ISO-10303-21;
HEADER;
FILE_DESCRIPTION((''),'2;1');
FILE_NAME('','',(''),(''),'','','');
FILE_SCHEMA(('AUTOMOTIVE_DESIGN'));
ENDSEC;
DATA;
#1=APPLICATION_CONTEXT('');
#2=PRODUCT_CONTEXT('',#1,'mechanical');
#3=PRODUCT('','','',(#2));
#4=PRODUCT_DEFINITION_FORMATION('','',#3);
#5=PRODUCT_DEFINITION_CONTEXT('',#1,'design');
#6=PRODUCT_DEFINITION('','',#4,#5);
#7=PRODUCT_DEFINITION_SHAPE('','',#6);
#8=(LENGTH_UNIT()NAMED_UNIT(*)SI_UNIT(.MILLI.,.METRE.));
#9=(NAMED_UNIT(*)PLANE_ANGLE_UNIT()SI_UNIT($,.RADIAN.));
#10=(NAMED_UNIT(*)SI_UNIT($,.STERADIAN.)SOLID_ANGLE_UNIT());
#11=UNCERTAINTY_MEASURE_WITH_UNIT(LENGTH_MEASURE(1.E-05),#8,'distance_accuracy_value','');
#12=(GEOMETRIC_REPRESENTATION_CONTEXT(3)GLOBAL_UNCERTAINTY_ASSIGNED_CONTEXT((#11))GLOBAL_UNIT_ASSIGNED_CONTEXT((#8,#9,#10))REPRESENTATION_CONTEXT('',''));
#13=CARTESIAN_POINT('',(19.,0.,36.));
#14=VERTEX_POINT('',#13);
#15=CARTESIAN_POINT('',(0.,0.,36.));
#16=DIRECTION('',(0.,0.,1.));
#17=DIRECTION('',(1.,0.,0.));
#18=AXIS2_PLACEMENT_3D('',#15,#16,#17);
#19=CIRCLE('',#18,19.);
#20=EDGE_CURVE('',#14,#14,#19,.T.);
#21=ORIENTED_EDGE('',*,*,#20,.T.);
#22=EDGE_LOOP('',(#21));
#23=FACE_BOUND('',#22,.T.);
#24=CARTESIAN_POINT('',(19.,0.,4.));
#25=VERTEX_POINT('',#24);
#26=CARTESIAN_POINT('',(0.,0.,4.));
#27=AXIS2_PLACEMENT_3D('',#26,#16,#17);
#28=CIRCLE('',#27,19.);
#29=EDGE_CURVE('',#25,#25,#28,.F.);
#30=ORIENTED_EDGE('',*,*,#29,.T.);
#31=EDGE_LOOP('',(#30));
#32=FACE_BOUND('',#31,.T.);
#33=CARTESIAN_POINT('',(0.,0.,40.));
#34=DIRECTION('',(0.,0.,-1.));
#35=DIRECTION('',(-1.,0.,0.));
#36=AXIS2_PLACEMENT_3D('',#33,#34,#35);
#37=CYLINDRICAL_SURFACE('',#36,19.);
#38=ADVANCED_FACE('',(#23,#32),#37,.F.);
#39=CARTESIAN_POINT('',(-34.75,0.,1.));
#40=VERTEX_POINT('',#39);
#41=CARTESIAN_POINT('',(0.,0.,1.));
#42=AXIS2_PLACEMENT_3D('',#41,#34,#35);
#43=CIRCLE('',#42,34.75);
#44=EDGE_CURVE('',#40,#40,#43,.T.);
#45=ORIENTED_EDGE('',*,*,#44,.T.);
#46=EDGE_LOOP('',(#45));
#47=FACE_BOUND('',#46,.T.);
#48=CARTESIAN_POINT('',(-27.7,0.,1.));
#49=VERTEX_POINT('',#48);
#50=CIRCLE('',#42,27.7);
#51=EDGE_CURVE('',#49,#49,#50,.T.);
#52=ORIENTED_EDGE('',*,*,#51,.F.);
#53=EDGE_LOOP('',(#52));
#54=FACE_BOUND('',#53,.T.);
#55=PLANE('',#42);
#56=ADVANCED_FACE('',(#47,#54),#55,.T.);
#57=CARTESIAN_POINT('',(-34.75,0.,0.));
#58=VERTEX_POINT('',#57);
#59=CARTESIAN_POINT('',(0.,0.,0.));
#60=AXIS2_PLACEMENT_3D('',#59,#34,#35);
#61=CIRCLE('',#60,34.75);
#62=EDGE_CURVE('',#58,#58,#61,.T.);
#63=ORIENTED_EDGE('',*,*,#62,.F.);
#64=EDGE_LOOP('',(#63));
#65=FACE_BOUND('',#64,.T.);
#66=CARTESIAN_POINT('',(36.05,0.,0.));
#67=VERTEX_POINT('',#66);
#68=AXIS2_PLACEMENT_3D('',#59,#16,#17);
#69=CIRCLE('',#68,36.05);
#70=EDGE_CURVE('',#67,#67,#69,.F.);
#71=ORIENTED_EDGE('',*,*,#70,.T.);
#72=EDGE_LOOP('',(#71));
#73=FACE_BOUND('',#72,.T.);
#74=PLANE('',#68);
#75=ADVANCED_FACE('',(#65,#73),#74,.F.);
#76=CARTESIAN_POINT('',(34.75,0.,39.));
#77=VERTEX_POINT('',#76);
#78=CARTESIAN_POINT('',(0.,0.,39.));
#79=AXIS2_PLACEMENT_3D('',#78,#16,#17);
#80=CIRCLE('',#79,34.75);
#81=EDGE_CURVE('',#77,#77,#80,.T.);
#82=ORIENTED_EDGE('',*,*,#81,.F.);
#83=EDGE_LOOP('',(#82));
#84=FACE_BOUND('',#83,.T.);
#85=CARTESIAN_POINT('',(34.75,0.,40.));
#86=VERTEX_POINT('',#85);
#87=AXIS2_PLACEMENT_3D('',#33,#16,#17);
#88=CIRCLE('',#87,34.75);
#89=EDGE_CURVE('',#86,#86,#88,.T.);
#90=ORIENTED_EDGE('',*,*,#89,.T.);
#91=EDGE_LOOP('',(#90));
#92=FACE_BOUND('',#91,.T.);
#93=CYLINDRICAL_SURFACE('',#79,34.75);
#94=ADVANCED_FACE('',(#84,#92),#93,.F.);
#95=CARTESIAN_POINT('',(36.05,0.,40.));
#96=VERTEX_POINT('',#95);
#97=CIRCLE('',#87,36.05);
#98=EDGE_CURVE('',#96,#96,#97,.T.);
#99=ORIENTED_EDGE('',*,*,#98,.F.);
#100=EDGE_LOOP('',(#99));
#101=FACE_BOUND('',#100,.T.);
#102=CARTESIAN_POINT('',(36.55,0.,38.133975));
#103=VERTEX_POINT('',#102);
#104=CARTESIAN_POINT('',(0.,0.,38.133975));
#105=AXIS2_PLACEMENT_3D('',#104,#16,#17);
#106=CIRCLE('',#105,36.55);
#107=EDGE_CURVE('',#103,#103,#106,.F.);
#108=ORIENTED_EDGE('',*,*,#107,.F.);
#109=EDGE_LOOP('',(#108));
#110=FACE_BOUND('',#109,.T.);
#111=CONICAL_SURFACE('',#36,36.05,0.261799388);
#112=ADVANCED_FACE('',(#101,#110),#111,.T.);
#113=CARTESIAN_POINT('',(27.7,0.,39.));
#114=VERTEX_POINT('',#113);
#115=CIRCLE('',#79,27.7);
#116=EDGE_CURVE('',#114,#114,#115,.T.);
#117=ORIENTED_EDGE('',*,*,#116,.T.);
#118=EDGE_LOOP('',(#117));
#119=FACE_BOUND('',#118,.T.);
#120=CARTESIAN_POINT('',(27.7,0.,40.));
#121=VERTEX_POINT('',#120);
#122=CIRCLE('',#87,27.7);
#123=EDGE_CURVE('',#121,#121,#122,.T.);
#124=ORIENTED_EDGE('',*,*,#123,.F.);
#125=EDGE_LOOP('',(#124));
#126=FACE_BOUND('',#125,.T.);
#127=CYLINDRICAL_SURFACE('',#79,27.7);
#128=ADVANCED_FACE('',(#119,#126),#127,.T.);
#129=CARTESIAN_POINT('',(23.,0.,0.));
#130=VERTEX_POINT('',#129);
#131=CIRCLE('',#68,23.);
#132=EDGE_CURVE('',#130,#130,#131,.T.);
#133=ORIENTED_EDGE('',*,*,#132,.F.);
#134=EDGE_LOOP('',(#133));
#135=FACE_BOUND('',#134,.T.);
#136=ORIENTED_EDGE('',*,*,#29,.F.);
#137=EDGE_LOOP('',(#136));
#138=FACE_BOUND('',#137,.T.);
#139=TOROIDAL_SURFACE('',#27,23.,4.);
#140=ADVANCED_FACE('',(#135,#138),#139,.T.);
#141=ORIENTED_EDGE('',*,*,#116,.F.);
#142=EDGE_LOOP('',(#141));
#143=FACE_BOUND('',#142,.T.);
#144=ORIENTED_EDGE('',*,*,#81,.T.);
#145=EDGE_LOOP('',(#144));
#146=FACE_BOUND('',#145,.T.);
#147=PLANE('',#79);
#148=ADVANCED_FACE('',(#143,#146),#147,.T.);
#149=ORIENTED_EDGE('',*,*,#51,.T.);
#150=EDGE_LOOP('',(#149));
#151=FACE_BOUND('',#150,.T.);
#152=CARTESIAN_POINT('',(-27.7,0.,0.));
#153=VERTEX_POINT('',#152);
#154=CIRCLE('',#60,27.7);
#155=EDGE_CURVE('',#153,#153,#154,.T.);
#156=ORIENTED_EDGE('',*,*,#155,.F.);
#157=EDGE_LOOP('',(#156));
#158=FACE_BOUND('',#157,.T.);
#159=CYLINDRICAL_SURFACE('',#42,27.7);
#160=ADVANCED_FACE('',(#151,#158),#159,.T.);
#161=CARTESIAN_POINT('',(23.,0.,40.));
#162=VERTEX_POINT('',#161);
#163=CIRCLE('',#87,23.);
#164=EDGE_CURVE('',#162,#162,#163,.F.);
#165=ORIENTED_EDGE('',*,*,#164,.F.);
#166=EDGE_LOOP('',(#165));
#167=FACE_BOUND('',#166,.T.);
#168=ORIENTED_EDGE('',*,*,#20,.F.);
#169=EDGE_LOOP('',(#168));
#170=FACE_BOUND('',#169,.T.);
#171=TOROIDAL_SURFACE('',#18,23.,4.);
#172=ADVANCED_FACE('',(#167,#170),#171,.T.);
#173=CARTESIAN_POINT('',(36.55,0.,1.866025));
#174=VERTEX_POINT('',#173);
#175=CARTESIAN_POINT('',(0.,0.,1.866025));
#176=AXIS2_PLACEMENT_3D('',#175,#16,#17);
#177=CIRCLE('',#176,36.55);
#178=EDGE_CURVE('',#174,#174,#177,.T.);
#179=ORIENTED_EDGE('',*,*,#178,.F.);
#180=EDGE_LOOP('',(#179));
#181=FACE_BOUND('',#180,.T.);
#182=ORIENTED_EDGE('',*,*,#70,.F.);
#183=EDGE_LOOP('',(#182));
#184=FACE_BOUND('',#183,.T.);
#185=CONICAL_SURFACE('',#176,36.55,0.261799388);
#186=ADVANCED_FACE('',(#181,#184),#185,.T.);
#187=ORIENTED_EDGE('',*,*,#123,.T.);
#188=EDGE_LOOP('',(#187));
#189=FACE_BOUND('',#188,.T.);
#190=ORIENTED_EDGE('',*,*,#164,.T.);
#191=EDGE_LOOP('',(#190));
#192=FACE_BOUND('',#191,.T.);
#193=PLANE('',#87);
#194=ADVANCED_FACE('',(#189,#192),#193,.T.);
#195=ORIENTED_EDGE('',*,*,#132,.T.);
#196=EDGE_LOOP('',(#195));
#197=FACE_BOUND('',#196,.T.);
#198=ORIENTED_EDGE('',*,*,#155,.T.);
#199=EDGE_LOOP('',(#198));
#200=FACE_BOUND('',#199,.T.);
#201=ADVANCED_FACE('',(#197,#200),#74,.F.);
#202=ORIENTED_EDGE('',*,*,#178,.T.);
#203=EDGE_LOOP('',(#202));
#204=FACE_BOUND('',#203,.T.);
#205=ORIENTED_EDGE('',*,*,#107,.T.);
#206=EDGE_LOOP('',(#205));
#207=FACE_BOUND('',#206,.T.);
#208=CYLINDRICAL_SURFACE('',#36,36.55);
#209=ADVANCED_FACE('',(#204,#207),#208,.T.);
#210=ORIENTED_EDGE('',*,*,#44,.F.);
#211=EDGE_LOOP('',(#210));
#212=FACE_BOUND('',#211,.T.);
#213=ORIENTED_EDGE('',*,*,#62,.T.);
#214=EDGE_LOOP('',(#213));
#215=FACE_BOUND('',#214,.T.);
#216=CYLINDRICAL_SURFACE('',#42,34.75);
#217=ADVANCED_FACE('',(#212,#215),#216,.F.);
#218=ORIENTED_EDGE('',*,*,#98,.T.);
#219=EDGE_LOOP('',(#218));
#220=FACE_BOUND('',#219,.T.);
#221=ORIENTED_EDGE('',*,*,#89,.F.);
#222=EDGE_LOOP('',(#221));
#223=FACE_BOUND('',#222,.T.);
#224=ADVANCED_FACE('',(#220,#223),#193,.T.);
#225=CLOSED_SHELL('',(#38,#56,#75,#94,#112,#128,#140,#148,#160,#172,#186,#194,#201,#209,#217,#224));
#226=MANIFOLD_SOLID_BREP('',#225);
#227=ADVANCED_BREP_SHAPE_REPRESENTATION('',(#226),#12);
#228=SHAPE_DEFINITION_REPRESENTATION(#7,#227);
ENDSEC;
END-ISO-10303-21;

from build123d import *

# Parameters (mm, degrees)
SKETCH1_R             = 36.55
SKETCH1_R_2           = 19
EXTRUDE1_DEPTH        = 40
SKETCH2_R             = 34.75
SKETCH2_R_2           = 27.7
EXTRUDE2_DEPTH        = 1
SKETCH3_R             = 34.75
SKETCH3_R_2           = 27.7
EXTRUDE3_DEPTH        = 1
FILLET1_R             = 4
CHAMFER1_SIZE         = 0.5
CHAMFER1_SIZE2        = 1.866025404
CHAMFER1_PART_2_SIZE  = 0.5
CHAMFER1_PART_2_SIZE2 = 1.866025404


with BuildPart() as part:
    # Sketch1 → Extrude1 (new body)
    with BuildSketch(Plane.XY):
        Circle(SKETCH1_R)
        Circle(SKETCH1_R_2, mode=Mode.SUBTRACT)
    extrude(amount=EXTRUDE1_DEPTH)

    # Sketch2 → Extrude2 (cut)
    with BuildSketch(Plane.XY.offset(40)):
        Circle(SKETCH2_R)
        Circle(SKETCH2_R_2, mode=Mode.SUBTRACT)
    extrude(amount=-EXTRUDE2_DEPTH, mode=Mode.SUBTRACT)

    # Sketch3 → Extrude3 (cut)
    with BuildSketch(Plane(origin=(0, 0, 0), x_dir=(-1, 0, 0), z_dir=(0, 0, -1))):
        Circle(SKETCH3_R)
        Circle(SKETCH3_R_2, mode=Mode.SUBTRACT)
    extrude(amount=-EXTRUDE3_DEPTH, mode=Mode.SUBTRACT)

    # Fillet1
    fillet1_edges = [part.edges().sort_by_distance(p)[0] for p in [
        (-19, 0, 0),
        (-19, 0, 40),
    ]]
    fillet(fillet1_edges, radius=FILLET1_R)

    # Chamfer1
    chamfer1_edges = [part.edges().sort_by_distance(p)[0] for p in [
        (-36.55, 0, 0),
    ]]
    chamfer1_side = [part.faces().sort_by_distance(p)[0] for p in [
        (-35.516209886, 0, 0),
    ]]
    chamfer(chamfer1_edges, length=CHAMFER1_SIZE, length2=CHAMFER1_SIZE2, reference=chamfer1_side[0])

    # Chamfer1 part 2
    chamfer1_part_2_edges = [part.edges().sort_by_distance(p)[0] for p in [
        (-36.55, 0, 40),
    ]]
    chamfer1_part_2_side = [part.faces().sort_by_distance(p)[0] for p in [
        (-35.516209886, 0, 40),
    ]]
    chamfer(chamfer1_part_2_edges, length=CHAMFER1_PART_2_SIZE, length2=CHAMFER1_PART_2_SIZE2, reference=chamfer1_part_2_side[0])


solid = part.part
